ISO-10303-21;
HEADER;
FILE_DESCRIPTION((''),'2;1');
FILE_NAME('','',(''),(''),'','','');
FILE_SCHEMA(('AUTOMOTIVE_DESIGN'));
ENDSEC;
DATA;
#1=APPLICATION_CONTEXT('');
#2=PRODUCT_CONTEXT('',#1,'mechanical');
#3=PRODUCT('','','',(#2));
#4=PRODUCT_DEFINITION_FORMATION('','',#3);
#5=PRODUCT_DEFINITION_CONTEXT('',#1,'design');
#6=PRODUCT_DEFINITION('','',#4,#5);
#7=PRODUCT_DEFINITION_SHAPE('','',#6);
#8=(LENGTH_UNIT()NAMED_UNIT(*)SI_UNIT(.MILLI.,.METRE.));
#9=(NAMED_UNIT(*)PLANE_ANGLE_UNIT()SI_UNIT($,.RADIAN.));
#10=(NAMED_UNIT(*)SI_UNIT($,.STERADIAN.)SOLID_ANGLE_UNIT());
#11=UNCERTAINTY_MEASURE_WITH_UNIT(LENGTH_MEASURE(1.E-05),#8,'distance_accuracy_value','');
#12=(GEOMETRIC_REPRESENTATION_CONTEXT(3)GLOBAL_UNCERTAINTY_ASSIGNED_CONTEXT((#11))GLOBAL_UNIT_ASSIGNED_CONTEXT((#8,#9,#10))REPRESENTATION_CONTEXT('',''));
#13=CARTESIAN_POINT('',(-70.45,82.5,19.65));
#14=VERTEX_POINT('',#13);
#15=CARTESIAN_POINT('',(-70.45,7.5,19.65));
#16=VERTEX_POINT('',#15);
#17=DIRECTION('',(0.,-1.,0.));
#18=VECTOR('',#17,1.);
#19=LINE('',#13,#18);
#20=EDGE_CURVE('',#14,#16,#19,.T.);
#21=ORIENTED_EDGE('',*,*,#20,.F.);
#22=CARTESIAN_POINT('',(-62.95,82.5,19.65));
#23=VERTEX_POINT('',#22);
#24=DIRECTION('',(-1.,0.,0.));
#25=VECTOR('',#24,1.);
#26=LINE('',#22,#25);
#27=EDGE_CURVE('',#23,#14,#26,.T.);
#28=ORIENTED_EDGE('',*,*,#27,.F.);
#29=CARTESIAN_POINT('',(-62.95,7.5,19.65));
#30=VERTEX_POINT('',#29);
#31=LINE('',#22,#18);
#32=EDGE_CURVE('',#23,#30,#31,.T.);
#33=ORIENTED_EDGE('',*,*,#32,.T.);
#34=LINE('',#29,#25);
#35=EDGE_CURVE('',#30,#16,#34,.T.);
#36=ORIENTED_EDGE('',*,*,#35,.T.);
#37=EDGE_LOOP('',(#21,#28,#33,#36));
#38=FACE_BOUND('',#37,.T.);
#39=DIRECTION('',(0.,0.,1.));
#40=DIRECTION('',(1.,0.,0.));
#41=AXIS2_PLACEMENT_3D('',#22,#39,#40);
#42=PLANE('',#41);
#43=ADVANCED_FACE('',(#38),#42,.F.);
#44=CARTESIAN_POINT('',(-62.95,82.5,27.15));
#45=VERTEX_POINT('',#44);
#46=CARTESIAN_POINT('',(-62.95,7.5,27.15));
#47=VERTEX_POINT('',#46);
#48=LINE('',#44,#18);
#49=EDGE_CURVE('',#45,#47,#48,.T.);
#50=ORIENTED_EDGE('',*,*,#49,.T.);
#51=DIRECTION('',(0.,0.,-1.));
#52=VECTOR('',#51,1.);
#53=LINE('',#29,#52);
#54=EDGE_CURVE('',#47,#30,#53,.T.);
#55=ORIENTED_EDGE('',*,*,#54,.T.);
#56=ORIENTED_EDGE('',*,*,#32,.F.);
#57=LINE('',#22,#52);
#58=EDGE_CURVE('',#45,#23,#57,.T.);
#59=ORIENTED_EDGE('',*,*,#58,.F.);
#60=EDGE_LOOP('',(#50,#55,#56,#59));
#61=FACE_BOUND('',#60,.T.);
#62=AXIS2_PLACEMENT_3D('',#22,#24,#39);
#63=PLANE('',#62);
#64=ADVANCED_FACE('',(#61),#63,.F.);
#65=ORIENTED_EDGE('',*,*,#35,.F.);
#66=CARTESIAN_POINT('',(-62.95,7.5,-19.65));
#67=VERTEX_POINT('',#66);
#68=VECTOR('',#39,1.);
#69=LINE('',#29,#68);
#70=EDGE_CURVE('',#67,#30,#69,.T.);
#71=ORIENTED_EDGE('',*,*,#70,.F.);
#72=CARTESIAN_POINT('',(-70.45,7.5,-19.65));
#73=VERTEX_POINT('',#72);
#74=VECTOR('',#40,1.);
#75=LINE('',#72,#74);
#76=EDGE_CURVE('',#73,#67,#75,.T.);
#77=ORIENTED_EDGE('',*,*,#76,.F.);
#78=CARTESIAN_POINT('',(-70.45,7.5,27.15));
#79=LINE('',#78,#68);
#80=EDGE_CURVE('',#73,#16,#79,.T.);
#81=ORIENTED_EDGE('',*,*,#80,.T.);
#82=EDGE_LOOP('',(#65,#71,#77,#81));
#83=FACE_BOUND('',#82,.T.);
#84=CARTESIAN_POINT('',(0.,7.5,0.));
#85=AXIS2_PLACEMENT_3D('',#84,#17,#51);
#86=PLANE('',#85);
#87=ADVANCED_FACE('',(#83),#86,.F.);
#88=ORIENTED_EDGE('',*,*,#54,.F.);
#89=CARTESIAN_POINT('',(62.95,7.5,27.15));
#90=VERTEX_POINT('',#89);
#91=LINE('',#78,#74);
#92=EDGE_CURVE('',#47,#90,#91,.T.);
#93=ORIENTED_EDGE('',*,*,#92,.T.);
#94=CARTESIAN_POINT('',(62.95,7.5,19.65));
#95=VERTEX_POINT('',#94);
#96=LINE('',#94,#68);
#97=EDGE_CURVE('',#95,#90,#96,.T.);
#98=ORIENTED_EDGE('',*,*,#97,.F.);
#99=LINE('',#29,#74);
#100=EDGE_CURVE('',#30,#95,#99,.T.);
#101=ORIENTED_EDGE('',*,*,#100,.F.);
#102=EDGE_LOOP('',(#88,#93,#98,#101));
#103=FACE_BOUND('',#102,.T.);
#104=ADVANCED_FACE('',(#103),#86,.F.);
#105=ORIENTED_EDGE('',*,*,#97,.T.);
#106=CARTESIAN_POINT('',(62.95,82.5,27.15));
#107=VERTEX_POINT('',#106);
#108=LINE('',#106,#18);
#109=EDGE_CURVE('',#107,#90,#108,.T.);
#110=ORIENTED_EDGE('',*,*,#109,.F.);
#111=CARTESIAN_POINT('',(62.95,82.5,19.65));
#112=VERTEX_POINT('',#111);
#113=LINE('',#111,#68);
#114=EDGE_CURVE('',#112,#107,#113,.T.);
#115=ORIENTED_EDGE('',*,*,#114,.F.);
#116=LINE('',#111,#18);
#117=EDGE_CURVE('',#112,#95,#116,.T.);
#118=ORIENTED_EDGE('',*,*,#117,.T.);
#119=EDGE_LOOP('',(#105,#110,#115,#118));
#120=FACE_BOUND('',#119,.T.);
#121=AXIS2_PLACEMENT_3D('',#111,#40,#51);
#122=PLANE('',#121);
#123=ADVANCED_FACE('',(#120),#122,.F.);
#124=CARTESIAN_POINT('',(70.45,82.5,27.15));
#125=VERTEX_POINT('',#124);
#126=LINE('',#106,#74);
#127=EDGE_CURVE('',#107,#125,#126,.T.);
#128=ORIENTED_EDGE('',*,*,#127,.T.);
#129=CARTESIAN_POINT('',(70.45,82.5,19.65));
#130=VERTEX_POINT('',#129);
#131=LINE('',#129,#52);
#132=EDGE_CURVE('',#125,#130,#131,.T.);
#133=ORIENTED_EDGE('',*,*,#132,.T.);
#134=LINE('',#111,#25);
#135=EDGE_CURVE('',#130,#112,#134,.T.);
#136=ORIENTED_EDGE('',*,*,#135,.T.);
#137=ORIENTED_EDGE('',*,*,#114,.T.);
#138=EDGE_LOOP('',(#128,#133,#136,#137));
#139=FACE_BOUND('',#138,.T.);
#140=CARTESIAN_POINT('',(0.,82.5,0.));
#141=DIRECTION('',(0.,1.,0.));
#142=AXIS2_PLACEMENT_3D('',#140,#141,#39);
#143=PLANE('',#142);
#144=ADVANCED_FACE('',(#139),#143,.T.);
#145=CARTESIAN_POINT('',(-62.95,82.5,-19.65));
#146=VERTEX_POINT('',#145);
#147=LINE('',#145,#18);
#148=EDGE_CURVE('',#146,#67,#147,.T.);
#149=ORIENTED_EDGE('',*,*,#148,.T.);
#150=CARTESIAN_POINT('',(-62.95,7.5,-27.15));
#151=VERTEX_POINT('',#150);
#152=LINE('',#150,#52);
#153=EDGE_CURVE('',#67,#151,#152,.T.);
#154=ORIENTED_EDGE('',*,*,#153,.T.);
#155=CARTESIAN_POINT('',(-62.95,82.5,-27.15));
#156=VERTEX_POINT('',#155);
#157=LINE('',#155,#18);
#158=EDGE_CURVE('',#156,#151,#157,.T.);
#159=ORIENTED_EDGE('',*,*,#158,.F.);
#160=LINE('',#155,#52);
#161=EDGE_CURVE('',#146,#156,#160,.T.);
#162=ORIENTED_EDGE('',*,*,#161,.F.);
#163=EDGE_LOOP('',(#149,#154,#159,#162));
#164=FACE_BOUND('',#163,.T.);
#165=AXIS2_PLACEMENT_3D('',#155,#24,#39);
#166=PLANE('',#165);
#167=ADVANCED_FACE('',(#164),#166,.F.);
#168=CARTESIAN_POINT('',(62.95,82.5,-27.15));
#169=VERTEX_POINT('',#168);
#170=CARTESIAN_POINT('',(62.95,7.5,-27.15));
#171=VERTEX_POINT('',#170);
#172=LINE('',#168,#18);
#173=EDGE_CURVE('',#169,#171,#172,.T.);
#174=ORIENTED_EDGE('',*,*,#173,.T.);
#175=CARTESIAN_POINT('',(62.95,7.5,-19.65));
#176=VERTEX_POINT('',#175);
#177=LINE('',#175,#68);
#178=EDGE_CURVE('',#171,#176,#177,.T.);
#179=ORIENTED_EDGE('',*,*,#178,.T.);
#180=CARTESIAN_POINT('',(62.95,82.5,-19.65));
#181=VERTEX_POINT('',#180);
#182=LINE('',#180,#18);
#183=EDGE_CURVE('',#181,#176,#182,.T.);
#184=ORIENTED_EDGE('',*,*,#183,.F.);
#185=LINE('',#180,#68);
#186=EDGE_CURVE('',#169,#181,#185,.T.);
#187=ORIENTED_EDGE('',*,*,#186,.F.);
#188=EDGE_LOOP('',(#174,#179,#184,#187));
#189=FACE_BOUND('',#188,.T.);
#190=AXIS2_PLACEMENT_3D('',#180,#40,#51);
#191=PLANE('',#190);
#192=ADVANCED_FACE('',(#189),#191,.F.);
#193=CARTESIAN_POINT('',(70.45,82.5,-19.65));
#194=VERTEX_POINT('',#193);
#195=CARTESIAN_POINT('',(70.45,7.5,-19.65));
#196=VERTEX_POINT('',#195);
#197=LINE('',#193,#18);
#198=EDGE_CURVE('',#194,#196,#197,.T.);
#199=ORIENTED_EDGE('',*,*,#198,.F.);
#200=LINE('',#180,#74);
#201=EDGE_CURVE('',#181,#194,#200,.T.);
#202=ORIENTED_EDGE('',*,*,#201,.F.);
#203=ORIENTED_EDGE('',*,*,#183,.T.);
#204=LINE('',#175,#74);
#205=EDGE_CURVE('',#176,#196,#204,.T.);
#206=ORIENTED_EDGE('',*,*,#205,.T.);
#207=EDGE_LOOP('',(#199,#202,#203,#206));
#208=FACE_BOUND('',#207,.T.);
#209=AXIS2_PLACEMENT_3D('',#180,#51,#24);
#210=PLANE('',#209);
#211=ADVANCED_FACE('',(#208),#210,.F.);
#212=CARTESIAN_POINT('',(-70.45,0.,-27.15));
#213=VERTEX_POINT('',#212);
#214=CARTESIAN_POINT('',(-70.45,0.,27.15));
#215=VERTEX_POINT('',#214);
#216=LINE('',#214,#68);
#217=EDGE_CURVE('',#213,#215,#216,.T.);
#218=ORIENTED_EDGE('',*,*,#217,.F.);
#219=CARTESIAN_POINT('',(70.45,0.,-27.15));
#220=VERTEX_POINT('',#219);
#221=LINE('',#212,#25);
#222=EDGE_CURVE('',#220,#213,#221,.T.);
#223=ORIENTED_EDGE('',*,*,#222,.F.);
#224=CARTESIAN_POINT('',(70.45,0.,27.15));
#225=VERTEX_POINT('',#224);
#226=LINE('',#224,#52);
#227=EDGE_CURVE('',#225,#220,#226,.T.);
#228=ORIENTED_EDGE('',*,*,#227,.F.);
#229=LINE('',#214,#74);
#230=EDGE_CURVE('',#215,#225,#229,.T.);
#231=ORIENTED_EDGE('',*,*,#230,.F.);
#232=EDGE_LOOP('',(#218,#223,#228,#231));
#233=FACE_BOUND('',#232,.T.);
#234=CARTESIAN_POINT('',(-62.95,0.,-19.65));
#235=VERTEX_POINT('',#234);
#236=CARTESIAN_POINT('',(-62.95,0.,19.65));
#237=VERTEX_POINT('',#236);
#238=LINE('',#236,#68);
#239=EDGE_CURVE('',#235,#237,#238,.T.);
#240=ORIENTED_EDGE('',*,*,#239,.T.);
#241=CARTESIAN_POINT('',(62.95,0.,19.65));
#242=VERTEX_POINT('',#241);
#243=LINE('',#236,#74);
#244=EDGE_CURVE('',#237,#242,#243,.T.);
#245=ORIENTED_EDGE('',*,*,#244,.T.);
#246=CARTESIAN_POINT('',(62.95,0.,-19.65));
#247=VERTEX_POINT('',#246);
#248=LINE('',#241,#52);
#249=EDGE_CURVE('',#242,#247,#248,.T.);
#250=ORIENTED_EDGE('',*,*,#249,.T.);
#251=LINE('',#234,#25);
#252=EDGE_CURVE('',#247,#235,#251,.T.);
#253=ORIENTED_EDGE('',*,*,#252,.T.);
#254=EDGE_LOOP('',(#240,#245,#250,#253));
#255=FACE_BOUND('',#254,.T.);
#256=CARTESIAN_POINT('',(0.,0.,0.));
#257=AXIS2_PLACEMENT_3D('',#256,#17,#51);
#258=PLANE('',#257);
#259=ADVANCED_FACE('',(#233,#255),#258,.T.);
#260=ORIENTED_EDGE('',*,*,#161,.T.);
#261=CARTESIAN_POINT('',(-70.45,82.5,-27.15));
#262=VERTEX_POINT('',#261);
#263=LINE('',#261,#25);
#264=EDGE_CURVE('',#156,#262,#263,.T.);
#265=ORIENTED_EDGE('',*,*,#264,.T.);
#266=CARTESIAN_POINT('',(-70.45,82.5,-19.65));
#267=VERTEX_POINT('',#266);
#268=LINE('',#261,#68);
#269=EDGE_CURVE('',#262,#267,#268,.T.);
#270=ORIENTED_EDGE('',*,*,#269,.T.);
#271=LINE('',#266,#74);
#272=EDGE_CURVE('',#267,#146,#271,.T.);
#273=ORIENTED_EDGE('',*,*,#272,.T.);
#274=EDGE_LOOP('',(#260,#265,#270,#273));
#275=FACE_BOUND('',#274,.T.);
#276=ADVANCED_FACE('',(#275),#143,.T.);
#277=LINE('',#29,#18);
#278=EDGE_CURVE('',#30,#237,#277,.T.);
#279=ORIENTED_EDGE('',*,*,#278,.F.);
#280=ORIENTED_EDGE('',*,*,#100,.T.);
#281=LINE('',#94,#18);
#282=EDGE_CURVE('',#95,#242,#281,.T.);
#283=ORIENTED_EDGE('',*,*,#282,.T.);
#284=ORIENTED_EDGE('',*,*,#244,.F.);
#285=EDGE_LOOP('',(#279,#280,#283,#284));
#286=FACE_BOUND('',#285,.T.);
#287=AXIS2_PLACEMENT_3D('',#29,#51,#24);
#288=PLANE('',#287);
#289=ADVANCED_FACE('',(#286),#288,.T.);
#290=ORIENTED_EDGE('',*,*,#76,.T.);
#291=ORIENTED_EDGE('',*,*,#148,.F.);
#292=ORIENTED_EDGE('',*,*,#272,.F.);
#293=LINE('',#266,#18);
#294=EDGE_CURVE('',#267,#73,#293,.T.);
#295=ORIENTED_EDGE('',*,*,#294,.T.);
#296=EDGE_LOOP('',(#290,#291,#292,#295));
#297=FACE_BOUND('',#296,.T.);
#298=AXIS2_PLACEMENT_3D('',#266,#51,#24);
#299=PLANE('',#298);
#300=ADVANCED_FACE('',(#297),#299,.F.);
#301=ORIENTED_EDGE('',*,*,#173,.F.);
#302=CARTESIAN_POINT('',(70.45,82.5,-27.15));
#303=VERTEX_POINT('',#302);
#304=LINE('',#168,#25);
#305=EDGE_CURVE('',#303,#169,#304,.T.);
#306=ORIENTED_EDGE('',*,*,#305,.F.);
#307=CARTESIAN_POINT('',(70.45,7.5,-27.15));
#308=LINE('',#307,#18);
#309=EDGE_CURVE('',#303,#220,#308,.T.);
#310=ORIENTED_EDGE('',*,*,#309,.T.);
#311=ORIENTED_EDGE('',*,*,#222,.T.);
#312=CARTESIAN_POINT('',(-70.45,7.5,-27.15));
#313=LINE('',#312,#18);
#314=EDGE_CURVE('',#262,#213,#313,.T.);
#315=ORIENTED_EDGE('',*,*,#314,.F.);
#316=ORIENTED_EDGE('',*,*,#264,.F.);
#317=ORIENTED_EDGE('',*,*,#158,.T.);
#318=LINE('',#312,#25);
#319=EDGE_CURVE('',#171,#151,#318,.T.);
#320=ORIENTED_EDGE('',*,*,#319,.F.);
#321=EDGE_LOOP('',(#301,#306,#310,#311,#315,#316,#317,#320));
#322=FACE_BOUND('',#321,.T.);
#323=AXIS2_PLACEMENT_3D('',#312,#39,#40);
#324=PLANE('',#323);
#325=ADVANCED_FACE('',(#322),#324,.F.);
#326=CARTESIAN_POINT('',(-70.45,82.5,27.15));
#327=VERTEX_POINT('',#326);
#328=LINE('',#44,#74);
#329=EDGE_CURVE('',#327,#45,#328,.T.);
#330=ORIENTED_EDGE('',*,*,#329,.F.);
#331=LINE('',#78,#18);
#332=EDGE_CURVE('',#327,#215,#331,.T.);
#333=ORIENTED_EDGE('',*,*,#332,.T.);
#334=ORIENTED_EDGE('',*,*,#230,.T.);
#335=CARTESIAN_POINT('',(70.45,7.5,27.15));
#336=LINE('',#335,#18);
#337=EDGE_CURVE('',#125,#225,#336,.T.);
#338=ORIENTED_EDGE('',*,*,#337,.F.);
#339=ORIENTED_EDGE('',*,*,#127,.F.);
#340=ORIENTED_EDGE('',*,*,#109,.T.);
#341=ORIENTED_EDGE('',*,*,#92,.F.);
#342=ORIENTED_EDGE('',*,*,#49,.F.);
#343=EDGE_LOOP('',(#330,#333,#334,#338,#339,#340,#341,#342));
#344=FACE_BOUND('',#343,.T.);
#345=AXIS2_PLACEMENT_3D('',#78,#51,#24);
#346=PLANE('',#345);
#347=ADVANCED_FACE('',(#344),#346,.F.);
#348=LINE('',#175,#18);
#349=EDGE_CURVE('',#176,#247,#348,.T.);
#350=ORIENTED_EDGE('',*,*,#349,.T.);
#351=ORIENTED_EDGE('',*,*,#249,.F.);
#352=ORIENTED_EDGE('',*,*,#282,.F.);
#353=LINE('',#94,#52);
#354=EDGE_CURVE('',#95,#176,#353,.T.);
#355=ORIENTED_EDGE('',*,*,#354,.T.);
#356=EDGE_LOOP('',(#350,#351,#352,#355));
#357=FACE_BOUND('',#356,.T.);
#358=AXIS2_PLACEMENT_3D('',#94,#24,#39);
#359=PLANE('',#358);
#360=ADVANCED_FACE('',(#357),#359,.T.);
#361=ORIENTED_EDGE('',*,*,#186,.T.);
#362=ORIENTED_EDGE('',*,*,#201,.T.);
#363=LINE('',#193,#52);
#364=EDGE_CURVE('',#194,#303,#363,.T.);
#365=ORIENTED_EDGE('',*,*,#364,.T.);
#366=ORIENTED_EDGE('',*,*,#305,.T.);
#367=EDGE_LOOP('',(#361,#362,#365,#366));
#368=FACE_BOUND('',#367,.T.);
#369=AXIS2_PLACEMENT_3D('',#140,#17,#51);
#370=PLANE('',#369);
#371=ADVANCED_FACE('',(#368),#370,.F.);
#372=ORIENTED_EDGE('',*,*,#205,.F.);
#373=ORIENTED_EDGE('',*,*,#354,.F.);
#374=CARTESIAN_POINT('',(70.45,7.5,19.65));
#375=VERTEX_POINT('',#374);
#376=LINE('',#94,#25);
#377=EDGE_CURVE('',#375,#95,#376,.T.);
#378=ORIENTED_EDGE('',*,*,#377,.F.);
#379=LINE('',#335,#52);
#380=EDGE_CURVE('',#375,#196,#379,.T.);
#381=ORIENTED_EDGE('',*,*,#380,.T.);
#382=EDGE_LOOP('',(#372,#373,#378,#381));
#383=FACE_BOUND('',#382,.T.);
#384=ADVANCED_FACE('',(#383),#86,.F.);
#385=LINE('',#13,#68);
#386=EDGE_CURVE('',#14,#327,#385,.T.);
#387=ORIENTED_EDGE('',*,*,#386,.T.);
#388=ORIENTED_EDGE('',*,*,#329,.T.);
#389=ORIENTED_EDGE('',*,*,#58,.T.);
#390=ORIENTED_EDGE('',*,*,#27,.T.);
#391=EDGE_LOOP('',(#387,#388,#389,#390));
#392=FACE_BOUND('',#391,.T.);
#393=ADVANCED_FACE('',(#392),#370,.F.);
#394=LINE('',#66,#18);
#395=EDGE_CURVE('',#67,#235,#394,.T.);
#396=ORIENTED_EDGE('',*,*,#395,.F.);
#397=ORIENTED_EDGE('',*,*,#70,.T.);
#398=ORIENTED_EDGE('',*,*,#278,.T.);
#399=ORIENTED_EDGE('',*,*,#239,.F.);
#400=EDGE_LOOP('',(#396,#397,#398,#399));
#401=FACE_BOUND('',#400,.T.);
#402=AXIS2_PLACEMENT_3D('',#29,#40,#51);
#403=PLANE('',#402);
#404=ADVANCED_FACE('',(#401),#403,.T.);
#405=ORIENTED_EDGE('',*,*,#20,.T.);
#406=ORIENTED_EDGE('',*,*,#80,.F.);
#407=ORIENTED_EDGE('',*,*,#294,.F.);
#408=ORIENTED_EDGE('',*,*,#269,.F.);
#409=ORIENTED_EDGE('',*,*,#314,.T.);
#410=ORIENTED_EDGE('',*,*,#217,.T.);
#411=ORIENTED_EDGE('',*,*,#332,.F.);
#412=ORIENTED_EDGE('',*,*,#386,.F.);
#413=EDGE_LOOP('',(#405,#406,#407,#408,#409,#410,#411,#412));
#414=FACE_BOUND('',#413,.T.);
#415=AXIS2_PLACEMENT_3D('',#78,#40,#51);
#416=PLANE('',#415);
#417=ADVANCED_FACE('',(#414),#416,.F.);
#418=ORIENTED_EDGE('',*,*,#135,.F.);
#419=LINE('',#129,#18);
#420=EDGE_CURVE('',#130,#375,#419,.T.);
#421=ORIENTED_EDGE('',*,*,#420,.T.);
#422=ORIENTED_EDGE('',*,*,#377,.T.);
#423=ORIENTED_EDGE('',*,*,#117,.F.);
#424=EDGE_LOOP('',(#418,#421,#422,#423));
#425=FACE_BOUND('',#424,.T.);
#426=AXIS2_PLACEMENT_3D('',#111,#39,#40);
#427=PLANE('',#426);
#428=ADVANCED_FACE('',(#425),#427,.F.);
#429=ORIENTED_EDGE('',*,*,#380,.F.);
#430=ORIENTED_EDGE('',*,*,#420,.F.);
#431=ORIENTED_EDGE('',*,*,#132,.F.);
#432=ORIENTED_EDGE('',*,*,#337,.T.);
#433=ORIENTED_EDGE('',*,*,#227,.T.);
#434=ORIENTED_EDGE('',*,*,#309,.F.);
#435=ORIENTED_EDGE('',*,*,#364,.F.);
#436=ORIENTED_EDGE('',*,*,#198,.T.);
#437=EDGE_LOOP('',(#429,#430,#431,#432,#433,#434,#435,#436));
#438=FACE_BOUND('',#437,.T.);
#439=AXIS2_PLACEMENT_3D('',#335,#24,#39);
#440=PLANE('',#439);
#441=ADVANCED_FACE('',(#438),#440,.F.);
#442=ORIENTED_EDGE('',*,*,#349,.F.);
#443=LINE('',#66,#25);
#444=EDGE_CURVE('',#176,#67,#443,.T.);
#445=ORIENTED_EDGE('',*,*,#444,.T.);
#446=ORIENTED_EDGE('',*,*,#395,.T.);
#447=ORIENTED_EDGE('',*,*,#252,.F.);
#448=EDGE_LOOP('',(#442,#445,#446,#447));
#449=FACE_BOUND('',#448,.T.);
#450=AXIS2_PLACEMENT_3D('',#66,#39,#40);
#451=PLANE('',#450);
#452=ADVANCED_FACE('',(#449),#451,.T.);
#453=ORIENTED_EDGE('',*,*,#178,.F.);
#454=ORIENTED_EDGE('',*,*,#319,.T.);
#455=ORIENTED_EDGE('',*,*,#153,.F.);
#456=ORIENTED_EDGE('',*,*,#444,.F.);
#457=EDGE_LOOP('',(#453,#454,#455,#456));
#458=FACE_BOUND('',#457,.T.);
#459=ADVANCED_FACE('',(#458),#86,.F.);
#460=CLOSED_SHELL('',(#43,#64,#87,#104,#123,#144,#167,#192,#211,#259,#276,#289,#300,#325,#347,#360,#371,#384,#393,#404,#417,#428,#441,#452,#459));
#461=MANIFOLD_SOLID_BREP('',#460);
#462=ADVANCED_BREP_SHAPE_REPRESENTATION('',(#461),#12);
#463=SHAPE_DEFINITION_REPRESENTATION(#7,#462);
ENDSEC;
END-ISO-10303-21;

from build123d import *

# Parameters (mm, degrees)
SKETCH1_W           = 140.9
SKETCH1_H           = 54.3
SKETCH1_W_2         = 125.9
SKETCH1_H_2         = 39.3
BOSS_EXTRUDE1_DEPTH = 7.5
SKETCH2_W           = 7.5
SKETCH2_H           = 7.5
BOSS_EXTRUDE2_DEPTH = 75


with BuildPart() as part:
    # Sketch1 → Boss-Extrude1 (new body)
    with BuildSketch(Plane(origin=(0, 0, 0), x_dir=(1, 0, 0), z_dir=(0, 1, 0))):
        Rectangle(SKETCH1_W, SKETCH1_H)
        Rectangle(SKETCH1_W_2, SKETCH1_H_2, mode=Mode.SUBTRACT)
    extrude(amount=BOSS_EXTRUDE1_DEPTH)

    # Sketch2 → Boss-Extrude2 (add)
    with BuildSketch(Plane(origin=(0, 7.5, 0), x_dir=(1, 0, 0), z_dir=(0, 1, 0))):
        with Locations((-66.7, 23.4)):
            Rectangle(SKETCH2_W, SKETCH2_H)
        with Locations((66.7, 23.4)):
            Rectangle(SKETCH2_W, SKETCH2_H)
        with Locations((66.7, -23.4)):
            Rectangle(SKETCH2_W, SKETCH2_H)
        with Locations((-66.7, -23.4)):
            Rectangle(SKETCH2_W, SKETCH2_H)
    extrude(amount=BOSS_EXTRUDE2_DEPTH)


solid = part.part
